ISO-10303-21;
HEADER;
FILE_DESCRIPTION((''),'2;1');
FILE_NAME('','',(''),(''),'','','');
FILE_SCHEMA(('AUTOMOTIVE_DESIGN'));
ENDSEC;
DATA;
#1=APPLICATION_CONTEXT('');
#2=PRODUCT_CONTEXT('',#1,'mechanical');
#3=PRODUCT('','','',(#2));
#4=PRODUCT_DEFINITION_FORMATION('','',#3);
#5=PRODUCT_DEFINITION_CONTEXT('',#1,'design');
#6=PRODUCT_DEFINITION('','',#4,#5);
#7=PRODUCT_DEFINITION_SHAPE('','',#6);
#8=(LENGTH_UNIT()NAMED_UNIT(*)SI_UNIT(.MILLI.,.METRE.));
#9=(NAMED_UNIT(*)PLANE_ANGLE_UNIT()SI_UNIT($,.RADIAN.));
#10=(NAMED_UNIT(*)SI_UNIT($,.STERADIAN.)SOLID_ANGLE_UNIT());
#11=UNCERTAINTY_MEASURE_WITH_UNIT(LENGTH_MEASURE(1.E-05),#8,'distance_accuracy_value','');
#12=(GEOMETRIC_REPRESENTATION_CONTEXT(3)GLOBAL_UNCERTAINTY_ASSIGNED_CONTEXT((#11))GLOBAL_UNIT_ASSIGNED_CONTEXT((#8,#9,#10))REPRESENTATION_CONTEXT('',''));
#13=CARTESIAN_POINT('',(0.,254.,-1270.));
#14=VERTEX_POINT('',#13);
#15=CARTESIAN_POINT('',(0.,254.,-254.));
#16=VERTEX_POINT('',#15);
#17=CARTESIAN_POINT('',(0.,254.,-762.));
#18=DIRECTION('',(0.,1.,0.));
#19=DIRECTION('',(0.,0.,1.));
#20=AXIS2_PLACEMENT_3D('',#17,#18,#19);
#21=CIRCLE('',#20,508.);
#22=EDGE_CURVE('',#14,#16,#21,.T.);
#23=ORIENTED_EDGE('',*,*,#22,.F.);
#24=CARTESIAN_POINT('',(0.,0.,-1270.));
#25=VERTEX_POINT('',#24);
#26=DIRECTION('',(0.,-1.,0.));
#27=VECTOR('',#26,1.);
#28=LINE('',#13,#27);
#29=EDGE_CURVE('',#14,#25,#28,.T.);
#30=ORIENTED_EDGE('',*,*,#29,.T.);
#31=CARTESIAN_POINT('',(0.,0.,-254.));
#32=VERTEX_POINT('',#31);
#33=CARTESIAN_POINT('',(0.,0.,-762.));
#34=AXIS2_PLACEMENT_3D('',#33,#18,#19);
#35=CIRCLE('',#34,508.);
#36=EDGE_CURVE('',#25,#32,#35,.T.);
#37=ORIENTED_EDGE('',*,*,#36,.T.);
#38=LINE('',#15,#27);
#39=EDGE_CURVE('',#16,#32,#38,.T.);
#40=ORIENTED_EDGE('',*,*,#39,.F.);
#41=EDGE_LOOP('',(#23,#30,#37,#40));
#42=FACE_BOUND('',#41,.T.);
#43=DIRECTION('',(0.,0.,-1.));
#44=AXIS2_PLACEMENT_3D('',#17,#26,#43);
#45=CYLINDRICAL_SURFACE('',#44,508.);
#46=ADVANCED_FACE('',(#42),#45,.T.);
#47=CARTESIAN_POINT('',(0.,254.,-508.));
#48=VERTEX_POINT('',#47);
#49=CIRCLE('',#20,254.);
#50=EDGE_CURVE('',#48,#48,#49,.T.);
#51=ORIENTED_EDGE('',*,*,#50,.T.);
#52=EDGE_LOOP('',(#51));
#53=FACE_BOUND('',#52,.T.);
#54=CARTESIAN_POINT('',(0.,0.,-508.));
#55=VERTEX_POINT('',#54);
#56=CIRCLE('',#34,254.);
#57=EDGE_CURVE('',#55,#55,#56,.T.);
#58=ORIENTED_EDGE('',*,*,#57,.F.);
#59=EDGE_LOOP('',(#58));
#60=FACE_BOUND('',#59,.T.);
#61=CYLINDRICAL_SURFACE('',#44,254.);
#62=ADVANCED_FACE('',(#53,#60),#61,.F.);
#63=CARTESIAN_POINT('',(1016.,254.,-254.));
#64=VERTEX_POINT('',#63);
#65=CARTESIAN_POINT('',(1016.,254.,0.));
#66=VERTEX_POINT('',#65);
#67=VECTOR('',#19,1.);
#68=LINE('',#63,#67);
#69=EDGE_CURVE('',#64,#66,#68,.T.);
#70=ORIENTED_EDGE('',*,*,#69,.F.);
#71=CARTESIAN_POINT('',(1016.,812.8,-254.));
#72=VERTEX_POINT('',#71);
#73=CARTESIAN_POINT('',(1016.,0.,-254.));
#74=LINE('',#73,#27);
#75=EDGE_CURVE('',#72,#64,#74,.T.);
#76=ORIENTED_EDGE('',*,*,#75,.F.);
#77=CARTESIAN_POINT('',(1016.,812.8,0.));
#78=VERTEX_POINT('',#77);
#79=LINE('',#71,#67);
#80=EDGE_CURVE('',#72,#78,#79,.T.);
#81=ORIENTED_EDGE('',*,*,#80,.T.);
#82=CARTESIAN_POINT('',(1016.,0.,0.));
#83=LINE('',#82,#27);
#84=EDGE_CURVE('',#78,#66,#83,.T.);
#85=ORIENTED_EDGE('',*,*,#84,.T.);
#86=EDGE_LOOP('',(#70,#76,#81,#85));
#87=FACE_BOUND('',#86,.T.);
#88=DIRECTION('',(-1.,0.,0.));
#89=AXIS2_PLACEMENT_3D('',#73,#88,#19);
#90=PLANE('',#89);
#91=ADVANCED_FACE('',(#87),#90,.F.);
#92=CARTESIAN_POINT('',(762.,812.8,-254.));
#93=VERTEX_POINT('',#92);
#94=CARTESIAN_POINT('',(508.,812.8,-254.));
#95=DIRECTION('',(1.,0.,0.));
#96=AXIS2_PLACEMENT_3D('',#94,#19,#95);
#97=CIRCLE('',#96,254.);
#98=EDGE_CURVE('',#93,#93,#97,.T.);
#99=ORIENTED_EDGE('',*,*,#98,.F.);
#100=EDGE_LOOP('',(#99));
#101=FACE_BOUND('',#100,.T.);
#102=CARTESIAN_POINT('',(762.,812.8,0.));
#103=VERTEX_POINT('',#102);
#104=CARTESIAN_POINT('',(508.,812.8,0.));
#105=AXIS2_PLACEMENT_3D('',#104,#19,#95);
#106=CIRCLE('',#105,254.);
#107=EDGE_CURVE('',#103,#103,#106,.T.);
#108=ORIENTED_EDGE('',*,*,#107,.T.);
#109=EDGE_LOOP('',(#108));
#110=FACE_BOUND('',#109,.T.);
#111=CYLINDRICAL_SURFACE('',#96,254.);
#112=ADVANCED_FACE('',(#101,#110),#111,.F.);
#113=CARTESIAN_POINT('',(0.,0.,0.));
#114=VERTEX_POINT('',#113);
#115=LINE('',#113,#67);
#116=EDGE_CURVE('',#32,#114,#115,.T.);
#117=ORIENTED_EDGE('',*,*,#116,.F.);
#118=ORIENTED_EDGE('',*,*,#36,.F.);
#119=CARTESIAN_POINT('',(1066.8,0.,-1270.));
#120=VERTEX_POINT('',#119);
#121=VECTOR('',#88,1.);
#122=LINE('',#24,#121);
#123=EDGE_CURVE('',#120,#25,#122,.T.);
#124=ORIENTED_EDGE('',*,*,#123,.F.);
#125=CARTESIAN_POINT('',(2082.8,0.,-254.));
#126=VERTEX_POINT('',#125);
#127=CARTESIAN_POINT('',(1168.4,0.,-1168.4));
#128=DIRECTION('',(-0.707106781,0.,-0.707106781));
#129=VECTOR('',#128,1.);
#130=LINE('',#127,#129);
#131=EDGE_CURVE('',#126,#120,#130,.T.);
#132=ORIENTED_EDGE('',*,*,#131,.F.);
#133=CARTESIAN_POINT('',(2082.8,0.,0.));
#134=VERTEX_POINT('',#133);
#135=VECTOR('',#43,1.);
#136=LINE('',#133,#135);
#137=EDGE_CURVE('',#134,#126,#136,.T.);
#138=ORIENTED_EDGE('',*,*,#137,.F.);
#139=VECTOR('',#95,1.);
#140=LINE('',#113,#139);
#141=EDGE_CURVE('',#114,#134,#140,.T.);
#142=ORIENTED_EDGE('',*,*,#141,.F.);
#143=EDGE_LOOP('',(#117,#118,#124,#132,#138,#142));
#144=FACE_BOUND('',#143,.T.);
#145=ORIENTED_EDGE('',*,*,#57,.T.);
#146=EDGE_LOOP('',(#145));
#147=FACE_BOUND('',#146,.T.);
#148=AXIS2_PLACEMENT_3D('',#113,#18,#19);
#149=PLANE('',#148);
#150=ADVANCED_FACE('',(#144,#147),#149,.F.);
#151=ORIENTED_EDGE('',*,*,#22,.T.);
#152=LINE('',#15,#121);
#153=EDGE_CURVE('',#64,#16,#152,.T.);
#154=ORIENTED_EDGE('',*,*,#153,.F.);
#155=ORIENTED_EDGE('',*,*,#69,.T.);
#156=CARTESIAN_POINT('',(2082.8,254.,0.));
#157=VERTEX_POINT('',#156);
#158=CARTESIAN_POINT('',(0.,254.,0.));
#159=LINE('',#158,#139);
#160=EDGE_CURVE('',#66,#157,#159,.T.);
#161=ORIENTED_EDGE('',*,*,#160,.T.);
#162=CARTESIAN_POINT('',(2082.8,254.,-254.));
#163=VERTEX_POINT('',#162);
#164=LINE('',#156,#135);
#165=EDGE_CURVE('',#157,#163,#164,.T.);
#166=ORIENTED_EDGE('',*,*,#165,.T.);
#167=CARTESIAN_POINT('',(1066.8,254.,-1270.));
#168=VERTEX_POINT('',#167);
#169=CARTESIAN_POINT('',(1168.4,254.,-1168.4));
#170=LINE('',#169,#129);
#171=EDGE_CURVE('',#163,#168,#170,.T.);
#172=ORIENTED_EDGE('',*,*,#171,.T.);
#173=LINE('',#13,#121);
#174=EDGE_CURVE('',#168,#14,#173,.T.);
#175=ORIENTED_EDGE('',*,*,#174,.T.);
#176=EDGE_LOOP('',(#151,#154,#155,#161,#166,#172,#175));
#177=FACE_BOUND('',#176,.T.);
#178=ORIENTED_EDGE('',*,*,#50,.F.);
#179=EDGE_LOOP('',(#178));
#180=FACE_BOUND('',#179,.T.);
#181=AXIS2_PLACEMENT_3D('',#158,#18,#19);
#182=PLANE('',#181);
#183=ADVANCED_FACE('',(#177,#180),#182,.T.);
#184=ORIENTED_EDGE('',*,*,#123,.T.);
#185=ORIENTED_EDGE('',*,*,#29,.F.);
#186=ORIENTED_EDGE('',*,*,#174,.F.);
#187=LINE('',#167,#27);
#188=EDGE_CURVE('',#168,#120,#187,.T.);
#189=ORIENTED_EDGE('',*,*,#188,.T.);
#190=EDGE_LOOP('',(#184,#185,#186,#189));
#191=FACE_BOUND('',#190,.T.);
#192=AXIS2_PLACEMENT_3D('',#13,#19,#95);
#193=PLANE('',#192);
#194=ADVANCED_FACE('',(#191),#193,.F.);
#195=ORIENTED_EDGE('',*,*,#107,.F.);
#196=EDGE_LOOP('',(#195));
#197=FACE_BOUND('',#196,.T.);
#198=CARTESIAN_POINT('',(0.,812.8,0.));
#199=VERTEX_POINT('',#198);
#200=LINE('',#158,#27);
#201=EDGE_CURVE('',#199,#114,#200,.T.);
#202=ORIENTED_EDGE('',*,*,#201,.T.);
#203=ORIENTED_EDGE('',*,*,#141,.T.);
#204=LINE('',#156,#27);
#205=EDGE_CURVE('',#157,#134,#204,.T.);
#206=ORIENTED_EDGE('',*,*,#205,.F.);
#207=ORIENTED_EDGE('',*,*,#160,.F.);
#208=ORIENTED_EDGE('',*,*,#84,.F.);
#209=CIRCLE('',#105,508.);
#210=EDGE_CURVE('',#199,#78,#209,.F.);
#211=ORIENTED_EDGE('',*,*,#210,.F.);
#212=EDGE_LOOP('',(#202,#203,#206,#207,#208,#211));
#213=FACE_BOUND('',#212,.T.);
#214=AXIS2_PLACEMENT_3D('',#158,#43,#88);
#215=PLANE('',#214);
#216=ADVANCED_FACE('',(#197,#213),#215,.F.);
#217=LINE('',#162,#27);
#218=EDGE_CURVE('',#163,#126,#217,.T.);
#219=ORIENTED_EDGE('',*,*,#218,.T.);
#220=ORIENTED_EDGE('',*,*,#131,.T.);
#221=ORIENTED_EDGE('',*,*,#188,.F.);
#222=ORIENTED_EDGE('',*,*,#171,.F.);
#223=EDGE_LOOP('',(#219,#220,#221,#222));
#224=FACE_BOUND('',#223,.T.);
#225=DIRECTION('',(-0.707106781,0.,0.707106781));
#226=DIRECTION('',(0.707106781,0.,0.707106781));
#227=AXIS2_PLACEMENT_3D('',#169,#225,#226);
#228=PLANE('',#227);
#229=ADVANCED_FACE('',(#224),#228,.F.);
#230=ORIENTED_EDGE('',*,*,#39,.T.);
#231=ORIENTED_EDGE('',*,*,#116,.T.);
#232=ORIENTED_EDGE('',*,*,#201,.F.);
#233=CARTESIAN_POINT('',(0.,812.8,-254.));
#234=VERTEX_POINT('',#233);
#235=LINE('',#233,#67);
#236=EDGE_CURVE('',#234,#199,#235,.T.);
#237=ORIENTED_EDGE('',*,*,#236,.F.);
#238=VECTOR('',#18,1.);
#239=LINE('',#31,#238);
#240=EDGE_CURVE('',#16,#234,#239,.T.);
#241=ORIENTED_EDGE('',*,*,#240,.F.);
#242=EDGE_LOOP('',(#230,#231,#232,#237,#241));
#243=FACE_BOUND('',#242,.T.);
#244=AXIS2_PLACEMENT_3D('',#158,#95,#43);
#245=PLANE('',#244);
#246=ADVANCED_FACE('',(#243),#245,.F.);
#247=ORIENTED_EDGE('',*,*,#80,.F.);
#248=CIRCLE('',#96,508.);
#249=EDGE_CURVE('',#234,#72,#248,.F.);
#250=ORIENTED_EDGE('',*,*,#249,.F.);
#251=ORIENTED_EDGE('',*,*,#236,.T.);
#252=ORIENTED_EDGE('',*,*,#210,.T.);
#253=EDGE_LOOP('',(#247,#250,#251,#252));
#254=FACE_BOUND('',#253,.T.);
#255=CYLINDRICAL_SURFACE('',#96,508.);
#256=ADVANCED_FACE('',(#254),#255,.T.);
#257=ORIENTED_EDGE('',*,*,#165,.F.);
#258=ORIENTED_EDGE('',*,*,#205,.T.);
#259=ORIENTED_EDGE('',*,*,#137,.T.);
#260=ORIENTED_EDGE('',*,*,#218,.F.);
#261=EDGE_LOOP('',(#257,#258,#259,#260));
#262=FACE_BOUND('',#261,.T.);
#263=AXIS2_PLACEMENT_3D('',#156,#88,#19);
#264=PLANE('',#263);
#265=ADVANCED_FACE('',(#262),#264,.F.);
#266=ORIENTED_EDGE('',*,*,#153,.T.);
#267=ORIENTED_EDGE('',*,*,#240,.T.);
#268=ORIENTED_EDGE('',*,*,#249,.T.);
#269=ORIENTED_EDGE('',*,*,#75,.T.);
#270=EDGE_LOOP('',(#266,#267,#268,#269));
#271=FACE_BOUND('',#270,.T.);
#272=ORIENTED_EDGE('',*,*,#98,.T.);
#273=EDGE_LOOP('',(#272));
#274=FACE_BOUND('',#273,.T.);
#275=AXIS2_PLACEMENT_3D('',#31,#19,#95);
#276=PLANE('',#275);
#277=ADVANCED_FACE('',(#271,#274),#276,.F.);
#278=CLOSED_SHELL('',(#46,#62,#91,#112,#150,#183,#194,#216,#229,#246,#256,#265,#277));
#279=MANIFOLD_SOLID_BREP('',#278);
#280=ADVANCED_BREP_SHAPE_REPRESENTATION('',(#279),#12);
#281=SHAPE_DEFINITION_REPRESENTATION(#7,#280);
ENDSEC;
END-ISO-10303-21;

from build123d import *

# Parameters (mm, degrees)
SKETCH1_R           = 254
SKETCH1_W           = 1016
SKETCH1_H           = 254
BOSS_EXTRUDE1_DEPTH = 254
SKETCH3_R           = 254
BOSS_EXTRUDE3_DEPTH = 254


with BuildPart() as part:
    # Sketch1 → Boss-Extrude1 (new body)
    # profile 1 of 2: a face of its own
    with BuildSketch(Plane(origin=(0, 0, 0), x_dir=(1, 0, 0), z_dir=(0, 1, 0))):
        with BuildLine():
            Line((1066.8, 1270), (0, 1270))
            ThreePointArc((0, 1270), (-508, 762), (0, 254))
            Line((0, 254), (1016, 254))
            Line((1016, 254), (1016, 0))
            Line((1016, 0), (2082.8, 0))
            Line((2082.8, 0), (2082.8, 254))
            Line((2082.8, 254), (1066.8, 1270))
        make_face()
        with Locations(Location((0, 762, 0), (0, 0, 270))):
            Circle(SKETCH1_R, mode=Mode.SUBTRACT)
    # profile 2 of 2: a face of its own
    with BuildSketch(Plane(origin=(0, 0, 0), x_dir=(1, 0, 0), z_dir=(0, 1, 0))):
        with Locations((508, 127)):
            Rectangle(SKETCH1_W, SKETCH1_H)
    extrude(amount=BOSS_EXTRUDE1_DEPTH)

    # Sketch3 → Boss-Extrude3 (add)
    with BuildSketch(Plane.XY):
        with BuildLine():
            Line((0, 812.8), (0, 254))
            Line((0, 254), (1016, 254))
            Line((1016, 254), (1016, 812.8))
            ThreePointArc((1016, 812.8), (508, 1320.8), (0, 812.8))
        make_face()
        with Locations((508, 812.8)):
            Circle(SKETCH3_R, mode=Mode.SUBTRACT)
    extrude(amount=-BOSS_EXTRUDE3_DEPTH)


solid = part.part
